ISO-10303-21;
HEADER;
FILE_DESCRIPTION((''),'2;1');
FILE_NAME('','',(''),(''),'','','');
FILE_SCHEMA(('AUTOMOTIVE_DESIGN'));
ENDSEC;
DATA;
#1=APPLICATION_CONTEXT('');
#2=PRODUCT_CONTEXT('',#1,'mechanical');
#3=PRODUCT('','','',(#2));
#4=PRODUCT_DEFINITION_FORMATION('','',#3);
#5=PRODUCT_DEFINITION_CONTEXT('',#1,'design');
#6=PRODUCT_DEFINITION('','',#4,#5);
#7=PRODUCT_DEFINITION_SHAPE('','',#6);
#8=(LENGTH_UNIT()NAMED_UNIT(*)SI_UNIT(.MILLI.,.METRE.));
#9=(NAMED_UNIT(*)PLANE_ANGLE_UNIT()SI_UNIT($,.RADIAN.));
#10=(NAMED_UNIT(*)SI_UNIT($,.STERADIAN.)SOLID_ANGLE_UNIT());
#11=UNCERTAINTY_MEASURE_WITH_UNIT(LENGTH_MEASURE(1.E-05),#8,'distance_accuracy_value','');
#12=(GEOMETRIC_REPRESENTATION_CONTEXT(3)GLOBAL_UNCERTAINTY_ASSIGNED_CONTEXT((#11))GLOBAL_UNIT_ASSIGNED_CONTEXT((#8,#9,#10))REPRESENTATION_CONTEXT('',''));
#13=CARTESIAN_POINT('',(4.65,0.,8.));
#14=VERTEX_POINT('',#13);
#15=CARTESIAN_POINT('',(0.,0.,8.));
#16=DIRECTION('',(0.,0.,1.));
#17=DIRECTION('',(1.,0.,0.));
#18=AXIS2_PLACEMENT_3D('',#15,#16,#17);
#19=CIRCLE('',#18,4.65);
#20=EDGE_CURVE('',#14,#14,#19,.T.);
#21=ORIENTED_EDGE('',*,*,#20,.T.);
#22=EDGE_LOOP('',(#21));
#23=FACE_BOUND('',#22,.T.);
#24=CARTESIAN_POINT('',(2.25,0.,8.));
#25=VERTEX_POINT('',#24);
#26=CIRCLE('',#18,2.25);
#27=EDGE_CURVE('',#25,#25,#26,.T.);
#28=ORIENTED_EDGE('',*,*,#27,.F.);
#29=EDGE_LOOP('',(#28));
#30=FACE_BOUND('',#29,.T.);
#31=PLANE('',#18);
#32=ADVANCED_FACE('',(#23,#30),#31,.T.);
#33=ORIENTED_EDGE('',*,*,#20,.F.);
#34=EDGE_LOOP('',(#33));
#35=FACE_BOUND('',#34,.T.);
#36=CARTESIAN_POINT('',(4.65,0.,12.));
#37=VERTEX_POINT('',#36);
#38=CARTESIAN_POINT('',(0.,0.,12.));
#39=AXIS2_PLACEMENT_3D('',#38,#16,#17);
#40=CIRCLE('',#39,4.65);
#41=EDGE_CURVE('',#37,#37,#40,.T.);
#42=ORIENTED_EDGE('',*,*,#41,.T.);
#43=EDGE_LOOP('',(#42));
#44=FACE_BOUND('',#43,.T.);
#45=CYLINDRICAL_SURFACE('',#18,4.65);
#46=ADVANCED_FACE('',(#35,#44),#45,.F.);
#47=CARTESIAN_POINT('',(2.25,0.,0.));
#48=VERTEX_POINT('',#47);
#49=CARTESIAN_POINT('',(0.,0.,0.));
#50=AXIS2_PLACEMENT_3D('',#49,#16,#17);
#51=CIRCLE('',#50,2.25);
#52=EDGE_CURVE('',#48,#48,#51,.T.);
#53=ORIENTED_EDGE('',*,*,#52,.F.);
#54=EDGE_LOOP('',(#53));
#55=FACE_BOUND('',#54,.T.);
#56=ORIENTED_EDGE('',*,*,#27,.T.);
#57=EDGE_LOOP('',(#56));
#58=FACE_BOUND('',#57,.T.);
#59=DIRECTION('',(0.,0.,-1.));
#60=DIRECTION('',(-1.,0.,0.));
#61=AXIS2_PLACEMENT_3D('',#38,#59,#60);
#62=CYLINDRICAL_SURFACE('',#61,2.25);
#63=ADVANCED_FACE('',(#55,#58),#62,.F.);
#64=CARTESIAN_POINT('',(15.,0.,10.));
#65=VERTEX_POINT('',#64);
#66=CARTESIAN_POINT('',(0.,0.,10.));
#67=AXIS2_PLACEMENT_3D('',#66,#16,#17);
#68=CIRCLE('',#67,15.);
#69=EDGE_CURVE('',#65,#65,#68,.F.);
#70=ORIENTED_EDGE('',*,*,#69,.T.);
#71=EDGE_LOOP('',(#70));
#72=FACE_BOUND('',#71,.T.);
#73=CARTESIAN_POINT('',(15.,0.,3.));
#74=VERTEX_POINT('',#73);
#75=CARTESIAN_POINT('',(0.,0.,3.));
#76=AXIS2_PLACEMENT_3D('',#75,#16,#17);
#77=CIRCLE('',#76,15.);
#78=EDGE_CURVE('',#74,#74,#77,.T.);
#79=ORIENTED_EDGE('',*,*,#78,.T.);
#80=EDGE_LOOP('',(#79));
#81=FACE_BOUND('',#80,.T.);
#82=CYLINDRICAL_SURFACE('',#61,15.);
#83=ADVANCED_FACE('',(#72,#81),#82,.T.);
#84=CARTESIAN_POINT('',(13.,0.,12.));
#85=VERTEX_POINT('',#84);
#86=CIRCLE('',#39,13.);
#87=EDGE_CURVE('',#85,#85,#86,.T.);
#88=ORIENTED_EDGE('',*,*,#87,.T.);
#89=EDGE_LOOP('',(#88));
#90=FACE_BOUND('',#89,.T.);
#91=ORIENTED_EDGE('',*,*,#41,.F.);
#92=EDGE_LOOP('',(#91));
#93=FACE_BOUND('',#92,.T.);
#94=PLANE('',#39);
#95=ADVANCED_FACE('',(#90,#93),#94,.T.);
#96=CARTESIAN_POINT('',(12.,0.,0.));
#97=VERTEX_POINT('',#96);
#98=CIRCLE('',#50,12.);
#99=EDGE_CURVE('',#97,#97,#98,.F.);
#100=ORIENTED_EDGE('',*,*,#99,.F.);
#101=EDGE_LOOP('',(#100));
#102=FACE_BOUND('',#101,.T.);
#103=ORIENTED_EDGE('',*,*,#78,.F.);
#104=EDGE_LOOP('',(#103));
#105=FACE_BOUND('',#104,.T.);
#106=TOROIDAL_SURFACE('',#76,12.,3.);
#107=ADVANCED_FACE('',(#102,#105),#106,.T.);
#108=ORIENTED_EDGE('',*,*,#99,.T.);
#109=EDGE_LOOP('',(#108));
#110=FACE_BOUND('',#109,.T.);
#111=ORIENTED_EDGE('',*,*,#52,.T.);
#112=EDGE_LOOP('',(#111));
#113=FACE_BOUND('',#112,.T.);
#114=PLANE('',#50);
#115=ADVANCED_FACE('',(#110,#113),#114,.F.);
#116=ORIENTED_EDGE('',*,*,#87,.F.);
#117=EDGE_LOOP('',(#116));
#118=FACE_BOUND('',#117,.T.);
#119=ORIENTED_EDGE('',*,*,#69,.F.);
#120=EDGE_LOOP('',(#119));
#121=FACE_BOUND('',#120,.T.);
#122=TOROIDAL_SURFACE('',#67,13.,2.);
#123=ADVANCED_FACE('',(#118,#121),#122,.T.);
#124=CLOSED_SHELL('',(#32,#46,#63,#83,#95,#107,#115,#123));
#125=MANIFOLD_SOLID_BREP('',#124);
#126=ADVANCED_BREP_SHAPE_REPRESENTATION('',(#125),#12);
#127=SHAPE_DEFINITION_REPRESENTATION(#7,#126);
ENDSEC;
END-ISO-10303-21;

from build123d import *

# Parameters (mm, degrees)
SKETCH_1_R          = 15
SKETCH_1_R_2        = 2.25
EXTRUDE_1_DEPTH     = 12
SKETCH_2_R          = 4.65
CUT_EXTRUDE_1_DEPTH = 4
FILLET_1_R          = 2
FILLET_2_R          = 3


with BuildPart() as part:
    # Эскиз1 → Бобышка-Вытянуть1 (new body)
    with BuildSketch(Plane.XY):
        Circle(SKETCH_1_R)
        Circle(SKETCH_1_R_2, mode=Mode.SUBTRACT)
    extrude(amount=EXTRUDE_1_DEPTH)

    # Эскиз2 → Вырез-Вытянуть1 (cut)
    with BuildSketch(Plane.XY.offset(12)):
        Circle(SKETCH_2_R)
    extrude(amount=-CUT_EXTRUDE_1_DEPTH, mode=Mode.SUBTRACT)

    # Скругление1
    fillet_1_edges = [part.edges().sort_by_distance(p)[0] for p in [
        (-15, 0, 12),
    ]]
    fillet(fillet_1_edges, radius=FILLET_1_R)

    # Скругление2
    fillet_2_edges = [part.edges().sort_by_distance(p)[0] for p in [
        (-15, 0, 0),
    ]]
    fillet(fillet_2_edges, radius=FILLET_2_R)


solid = part.part
